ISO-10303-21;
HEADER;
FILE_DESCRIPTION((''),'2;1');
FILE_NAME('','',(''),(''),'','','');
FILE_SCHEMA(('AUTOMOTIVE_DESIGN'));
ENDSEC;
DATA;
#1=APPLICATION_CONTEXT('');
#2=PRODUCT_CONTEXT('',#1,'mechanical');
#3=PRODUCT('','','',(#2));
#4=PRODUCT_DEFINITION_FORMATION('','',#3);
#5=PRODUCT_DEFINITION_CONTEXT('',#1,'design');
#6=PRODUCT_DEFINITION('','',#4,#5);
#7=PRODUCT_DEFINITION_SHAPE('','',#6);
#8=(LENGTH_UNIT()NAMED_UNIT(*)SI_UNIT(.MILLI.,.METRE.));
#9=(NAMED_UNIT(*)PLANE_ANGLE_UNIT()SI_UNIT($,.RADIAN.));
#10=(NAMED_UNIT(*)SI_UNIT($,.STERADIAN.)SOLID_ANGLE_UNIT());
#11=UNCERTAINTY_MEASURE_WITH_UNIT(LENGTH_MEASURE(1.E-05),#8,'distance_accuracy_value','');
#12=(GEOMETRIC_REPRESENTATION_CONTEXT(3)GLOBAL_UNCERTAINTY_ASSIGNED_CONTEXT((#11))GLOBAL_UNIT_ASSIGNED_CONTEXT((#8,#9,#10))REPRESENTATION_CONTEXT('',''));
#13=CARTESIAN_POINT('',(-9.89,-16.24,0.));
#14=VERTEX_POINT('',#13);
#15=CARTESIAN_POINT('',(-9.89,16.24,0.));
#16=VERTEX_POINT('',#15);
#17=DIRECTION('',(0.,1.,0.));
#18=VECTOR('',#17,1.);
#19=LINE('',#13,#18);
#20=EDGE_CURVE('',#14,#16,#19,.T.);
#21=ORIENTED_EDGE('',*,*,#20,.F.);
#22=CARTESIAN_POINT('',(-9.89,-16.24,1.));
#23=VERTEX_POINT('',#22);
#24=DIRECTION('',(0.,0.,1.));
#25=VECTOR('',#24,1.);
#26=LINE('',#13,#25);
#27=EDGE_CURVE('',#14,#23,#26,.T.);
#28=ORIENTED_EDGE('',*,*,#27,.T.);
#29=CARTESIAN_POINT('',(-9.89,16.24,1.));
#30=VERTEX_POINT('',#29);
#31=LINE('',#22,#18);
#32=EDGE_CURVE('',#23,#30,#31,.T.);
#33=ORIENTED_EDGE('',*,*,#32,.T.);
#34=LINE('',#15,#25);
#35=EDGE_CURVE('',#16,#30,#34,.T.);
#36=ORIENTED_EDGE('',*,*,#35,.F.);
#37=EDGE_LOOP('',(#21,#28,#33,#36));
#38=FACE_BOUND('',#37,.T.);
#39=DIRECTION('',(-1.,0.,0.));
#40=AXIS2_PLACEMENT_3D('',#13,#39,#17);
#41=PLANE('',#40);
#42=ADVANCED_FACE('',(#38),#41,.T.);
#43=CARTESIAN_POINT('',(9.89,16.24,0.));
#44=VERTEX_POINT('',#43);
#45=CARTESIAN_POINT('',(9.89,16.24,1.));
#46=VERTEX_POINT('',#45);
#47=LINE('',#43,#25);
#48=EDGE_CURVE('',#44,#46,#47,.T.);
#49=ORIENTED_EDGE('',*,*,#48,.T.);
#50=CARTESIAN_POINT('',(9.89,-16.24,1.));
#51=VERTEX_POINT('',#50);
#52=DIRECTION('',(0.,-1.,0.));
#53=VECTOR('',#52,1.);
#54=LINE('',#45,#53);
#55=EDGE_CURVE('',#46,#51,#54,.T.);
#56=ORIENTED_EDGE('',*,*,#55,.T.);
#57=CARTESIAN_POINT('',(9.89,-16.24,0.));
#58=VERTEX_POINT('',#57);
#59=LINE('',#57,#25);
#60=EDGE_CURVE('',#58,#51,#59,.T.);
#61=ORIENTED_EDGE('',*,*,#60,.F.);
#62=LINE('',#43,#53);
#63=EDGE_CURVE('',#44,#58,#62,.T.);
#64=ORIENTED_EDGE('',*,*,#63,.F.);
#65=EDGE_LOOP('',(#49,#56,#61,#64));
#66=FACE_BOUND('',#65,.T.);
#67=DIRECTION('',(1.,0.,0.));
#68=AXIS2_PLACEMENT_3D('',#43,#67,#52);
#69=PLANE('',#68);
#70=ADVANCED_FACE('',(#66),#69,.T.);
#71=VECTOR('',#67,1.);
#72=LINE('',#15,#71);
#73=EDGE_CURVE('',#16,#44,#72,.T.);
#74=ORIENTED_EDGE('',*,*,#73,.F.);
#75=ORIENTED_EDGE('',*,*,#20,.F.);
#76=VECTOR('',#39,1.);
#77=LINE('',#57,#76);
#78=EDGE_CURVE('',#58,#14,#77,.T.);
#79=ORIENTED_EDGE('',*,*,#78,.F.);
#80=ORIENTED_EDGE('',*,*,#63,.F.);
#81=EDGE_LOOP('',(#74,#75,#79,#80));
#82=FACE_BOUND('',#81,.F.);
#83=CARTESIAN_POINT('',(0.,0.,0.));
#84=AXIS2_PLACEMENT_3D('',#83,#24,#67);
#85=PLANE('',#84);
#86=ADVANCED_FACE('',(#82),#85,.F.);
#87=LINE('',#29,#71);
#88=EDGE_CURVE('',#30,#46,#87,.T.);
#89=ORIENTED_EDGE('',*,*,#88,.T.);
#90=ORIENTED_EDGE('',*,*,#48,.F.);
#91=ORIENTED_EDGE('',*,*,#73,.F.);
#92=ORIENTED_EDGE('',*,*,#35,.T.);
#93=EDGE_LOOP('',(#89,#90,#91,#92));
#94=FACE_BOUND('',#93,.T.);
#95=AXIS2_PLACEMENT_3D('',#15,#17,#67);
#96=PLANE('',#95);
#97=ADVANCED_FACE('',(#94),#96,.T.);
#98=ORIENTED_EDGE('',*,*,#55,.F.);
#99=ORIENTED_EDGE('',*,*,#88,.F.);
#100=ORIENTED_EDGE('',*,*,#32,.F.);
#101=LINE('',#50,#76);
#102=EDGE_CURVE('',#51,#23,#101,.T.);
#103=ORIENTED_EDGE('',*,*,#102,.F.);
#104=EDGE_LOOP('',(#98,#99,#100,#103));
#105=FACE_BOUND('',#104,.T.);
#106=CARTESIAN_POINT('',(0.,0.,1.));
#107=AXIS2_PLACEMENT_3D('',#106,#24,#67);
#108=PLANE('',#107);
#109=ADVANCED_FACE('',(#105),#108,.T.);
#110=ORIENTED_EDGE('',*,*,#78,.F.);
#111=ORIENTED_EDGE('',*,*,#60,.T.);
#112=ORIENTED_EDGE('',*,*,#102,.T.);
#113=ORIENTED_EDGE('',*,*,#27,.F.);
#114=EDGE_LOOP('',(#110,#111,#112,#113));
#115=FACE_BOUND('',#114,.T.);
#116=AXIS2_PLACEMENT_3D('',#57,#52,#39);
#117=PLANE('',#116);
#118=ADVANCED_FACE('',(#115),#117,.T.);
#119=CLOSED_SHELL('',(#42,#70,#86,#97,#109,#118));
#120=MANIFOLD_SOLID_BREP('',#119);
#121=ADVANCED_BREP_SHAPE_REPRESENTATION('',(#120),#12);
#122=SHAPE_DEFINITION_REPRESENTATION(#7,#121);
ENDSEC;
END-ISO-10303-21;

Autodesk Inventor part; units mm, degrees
ref_plane "YZ Plane" through (0, 0, 0) normal (1, 0, 0) x (0, 1, 0)
ref_plane "XZ Plane" through (0, 0, 0) normal (0, 1, 0) x (-1, 0, 0)
ref_plane "XY Plane" through (0, 0, 0) normal (0, 0, 1) x (1, 0, 0)
sketch "2717_1.000000, 2717_1.000000_20" plane through (0, 0, 0) normal (0, 0, 1) x (1, 0, 0)
  line L0 (-9.89, 16.24) -> (9.89, 16.24)
  line L1 (9.89, 16.24) -> (9.89, -16.24)
  line L2 (9.89, -16.24) -> (-9.89, -16.24)
  line L3 (-9.89, -16.24) -> (-9.89, 16.24)
extrude "Extrusion1" add sketch "2717_1.000000, 2717_1.000000_20" along normal blind 1
properties part number "2717_1.000000"
